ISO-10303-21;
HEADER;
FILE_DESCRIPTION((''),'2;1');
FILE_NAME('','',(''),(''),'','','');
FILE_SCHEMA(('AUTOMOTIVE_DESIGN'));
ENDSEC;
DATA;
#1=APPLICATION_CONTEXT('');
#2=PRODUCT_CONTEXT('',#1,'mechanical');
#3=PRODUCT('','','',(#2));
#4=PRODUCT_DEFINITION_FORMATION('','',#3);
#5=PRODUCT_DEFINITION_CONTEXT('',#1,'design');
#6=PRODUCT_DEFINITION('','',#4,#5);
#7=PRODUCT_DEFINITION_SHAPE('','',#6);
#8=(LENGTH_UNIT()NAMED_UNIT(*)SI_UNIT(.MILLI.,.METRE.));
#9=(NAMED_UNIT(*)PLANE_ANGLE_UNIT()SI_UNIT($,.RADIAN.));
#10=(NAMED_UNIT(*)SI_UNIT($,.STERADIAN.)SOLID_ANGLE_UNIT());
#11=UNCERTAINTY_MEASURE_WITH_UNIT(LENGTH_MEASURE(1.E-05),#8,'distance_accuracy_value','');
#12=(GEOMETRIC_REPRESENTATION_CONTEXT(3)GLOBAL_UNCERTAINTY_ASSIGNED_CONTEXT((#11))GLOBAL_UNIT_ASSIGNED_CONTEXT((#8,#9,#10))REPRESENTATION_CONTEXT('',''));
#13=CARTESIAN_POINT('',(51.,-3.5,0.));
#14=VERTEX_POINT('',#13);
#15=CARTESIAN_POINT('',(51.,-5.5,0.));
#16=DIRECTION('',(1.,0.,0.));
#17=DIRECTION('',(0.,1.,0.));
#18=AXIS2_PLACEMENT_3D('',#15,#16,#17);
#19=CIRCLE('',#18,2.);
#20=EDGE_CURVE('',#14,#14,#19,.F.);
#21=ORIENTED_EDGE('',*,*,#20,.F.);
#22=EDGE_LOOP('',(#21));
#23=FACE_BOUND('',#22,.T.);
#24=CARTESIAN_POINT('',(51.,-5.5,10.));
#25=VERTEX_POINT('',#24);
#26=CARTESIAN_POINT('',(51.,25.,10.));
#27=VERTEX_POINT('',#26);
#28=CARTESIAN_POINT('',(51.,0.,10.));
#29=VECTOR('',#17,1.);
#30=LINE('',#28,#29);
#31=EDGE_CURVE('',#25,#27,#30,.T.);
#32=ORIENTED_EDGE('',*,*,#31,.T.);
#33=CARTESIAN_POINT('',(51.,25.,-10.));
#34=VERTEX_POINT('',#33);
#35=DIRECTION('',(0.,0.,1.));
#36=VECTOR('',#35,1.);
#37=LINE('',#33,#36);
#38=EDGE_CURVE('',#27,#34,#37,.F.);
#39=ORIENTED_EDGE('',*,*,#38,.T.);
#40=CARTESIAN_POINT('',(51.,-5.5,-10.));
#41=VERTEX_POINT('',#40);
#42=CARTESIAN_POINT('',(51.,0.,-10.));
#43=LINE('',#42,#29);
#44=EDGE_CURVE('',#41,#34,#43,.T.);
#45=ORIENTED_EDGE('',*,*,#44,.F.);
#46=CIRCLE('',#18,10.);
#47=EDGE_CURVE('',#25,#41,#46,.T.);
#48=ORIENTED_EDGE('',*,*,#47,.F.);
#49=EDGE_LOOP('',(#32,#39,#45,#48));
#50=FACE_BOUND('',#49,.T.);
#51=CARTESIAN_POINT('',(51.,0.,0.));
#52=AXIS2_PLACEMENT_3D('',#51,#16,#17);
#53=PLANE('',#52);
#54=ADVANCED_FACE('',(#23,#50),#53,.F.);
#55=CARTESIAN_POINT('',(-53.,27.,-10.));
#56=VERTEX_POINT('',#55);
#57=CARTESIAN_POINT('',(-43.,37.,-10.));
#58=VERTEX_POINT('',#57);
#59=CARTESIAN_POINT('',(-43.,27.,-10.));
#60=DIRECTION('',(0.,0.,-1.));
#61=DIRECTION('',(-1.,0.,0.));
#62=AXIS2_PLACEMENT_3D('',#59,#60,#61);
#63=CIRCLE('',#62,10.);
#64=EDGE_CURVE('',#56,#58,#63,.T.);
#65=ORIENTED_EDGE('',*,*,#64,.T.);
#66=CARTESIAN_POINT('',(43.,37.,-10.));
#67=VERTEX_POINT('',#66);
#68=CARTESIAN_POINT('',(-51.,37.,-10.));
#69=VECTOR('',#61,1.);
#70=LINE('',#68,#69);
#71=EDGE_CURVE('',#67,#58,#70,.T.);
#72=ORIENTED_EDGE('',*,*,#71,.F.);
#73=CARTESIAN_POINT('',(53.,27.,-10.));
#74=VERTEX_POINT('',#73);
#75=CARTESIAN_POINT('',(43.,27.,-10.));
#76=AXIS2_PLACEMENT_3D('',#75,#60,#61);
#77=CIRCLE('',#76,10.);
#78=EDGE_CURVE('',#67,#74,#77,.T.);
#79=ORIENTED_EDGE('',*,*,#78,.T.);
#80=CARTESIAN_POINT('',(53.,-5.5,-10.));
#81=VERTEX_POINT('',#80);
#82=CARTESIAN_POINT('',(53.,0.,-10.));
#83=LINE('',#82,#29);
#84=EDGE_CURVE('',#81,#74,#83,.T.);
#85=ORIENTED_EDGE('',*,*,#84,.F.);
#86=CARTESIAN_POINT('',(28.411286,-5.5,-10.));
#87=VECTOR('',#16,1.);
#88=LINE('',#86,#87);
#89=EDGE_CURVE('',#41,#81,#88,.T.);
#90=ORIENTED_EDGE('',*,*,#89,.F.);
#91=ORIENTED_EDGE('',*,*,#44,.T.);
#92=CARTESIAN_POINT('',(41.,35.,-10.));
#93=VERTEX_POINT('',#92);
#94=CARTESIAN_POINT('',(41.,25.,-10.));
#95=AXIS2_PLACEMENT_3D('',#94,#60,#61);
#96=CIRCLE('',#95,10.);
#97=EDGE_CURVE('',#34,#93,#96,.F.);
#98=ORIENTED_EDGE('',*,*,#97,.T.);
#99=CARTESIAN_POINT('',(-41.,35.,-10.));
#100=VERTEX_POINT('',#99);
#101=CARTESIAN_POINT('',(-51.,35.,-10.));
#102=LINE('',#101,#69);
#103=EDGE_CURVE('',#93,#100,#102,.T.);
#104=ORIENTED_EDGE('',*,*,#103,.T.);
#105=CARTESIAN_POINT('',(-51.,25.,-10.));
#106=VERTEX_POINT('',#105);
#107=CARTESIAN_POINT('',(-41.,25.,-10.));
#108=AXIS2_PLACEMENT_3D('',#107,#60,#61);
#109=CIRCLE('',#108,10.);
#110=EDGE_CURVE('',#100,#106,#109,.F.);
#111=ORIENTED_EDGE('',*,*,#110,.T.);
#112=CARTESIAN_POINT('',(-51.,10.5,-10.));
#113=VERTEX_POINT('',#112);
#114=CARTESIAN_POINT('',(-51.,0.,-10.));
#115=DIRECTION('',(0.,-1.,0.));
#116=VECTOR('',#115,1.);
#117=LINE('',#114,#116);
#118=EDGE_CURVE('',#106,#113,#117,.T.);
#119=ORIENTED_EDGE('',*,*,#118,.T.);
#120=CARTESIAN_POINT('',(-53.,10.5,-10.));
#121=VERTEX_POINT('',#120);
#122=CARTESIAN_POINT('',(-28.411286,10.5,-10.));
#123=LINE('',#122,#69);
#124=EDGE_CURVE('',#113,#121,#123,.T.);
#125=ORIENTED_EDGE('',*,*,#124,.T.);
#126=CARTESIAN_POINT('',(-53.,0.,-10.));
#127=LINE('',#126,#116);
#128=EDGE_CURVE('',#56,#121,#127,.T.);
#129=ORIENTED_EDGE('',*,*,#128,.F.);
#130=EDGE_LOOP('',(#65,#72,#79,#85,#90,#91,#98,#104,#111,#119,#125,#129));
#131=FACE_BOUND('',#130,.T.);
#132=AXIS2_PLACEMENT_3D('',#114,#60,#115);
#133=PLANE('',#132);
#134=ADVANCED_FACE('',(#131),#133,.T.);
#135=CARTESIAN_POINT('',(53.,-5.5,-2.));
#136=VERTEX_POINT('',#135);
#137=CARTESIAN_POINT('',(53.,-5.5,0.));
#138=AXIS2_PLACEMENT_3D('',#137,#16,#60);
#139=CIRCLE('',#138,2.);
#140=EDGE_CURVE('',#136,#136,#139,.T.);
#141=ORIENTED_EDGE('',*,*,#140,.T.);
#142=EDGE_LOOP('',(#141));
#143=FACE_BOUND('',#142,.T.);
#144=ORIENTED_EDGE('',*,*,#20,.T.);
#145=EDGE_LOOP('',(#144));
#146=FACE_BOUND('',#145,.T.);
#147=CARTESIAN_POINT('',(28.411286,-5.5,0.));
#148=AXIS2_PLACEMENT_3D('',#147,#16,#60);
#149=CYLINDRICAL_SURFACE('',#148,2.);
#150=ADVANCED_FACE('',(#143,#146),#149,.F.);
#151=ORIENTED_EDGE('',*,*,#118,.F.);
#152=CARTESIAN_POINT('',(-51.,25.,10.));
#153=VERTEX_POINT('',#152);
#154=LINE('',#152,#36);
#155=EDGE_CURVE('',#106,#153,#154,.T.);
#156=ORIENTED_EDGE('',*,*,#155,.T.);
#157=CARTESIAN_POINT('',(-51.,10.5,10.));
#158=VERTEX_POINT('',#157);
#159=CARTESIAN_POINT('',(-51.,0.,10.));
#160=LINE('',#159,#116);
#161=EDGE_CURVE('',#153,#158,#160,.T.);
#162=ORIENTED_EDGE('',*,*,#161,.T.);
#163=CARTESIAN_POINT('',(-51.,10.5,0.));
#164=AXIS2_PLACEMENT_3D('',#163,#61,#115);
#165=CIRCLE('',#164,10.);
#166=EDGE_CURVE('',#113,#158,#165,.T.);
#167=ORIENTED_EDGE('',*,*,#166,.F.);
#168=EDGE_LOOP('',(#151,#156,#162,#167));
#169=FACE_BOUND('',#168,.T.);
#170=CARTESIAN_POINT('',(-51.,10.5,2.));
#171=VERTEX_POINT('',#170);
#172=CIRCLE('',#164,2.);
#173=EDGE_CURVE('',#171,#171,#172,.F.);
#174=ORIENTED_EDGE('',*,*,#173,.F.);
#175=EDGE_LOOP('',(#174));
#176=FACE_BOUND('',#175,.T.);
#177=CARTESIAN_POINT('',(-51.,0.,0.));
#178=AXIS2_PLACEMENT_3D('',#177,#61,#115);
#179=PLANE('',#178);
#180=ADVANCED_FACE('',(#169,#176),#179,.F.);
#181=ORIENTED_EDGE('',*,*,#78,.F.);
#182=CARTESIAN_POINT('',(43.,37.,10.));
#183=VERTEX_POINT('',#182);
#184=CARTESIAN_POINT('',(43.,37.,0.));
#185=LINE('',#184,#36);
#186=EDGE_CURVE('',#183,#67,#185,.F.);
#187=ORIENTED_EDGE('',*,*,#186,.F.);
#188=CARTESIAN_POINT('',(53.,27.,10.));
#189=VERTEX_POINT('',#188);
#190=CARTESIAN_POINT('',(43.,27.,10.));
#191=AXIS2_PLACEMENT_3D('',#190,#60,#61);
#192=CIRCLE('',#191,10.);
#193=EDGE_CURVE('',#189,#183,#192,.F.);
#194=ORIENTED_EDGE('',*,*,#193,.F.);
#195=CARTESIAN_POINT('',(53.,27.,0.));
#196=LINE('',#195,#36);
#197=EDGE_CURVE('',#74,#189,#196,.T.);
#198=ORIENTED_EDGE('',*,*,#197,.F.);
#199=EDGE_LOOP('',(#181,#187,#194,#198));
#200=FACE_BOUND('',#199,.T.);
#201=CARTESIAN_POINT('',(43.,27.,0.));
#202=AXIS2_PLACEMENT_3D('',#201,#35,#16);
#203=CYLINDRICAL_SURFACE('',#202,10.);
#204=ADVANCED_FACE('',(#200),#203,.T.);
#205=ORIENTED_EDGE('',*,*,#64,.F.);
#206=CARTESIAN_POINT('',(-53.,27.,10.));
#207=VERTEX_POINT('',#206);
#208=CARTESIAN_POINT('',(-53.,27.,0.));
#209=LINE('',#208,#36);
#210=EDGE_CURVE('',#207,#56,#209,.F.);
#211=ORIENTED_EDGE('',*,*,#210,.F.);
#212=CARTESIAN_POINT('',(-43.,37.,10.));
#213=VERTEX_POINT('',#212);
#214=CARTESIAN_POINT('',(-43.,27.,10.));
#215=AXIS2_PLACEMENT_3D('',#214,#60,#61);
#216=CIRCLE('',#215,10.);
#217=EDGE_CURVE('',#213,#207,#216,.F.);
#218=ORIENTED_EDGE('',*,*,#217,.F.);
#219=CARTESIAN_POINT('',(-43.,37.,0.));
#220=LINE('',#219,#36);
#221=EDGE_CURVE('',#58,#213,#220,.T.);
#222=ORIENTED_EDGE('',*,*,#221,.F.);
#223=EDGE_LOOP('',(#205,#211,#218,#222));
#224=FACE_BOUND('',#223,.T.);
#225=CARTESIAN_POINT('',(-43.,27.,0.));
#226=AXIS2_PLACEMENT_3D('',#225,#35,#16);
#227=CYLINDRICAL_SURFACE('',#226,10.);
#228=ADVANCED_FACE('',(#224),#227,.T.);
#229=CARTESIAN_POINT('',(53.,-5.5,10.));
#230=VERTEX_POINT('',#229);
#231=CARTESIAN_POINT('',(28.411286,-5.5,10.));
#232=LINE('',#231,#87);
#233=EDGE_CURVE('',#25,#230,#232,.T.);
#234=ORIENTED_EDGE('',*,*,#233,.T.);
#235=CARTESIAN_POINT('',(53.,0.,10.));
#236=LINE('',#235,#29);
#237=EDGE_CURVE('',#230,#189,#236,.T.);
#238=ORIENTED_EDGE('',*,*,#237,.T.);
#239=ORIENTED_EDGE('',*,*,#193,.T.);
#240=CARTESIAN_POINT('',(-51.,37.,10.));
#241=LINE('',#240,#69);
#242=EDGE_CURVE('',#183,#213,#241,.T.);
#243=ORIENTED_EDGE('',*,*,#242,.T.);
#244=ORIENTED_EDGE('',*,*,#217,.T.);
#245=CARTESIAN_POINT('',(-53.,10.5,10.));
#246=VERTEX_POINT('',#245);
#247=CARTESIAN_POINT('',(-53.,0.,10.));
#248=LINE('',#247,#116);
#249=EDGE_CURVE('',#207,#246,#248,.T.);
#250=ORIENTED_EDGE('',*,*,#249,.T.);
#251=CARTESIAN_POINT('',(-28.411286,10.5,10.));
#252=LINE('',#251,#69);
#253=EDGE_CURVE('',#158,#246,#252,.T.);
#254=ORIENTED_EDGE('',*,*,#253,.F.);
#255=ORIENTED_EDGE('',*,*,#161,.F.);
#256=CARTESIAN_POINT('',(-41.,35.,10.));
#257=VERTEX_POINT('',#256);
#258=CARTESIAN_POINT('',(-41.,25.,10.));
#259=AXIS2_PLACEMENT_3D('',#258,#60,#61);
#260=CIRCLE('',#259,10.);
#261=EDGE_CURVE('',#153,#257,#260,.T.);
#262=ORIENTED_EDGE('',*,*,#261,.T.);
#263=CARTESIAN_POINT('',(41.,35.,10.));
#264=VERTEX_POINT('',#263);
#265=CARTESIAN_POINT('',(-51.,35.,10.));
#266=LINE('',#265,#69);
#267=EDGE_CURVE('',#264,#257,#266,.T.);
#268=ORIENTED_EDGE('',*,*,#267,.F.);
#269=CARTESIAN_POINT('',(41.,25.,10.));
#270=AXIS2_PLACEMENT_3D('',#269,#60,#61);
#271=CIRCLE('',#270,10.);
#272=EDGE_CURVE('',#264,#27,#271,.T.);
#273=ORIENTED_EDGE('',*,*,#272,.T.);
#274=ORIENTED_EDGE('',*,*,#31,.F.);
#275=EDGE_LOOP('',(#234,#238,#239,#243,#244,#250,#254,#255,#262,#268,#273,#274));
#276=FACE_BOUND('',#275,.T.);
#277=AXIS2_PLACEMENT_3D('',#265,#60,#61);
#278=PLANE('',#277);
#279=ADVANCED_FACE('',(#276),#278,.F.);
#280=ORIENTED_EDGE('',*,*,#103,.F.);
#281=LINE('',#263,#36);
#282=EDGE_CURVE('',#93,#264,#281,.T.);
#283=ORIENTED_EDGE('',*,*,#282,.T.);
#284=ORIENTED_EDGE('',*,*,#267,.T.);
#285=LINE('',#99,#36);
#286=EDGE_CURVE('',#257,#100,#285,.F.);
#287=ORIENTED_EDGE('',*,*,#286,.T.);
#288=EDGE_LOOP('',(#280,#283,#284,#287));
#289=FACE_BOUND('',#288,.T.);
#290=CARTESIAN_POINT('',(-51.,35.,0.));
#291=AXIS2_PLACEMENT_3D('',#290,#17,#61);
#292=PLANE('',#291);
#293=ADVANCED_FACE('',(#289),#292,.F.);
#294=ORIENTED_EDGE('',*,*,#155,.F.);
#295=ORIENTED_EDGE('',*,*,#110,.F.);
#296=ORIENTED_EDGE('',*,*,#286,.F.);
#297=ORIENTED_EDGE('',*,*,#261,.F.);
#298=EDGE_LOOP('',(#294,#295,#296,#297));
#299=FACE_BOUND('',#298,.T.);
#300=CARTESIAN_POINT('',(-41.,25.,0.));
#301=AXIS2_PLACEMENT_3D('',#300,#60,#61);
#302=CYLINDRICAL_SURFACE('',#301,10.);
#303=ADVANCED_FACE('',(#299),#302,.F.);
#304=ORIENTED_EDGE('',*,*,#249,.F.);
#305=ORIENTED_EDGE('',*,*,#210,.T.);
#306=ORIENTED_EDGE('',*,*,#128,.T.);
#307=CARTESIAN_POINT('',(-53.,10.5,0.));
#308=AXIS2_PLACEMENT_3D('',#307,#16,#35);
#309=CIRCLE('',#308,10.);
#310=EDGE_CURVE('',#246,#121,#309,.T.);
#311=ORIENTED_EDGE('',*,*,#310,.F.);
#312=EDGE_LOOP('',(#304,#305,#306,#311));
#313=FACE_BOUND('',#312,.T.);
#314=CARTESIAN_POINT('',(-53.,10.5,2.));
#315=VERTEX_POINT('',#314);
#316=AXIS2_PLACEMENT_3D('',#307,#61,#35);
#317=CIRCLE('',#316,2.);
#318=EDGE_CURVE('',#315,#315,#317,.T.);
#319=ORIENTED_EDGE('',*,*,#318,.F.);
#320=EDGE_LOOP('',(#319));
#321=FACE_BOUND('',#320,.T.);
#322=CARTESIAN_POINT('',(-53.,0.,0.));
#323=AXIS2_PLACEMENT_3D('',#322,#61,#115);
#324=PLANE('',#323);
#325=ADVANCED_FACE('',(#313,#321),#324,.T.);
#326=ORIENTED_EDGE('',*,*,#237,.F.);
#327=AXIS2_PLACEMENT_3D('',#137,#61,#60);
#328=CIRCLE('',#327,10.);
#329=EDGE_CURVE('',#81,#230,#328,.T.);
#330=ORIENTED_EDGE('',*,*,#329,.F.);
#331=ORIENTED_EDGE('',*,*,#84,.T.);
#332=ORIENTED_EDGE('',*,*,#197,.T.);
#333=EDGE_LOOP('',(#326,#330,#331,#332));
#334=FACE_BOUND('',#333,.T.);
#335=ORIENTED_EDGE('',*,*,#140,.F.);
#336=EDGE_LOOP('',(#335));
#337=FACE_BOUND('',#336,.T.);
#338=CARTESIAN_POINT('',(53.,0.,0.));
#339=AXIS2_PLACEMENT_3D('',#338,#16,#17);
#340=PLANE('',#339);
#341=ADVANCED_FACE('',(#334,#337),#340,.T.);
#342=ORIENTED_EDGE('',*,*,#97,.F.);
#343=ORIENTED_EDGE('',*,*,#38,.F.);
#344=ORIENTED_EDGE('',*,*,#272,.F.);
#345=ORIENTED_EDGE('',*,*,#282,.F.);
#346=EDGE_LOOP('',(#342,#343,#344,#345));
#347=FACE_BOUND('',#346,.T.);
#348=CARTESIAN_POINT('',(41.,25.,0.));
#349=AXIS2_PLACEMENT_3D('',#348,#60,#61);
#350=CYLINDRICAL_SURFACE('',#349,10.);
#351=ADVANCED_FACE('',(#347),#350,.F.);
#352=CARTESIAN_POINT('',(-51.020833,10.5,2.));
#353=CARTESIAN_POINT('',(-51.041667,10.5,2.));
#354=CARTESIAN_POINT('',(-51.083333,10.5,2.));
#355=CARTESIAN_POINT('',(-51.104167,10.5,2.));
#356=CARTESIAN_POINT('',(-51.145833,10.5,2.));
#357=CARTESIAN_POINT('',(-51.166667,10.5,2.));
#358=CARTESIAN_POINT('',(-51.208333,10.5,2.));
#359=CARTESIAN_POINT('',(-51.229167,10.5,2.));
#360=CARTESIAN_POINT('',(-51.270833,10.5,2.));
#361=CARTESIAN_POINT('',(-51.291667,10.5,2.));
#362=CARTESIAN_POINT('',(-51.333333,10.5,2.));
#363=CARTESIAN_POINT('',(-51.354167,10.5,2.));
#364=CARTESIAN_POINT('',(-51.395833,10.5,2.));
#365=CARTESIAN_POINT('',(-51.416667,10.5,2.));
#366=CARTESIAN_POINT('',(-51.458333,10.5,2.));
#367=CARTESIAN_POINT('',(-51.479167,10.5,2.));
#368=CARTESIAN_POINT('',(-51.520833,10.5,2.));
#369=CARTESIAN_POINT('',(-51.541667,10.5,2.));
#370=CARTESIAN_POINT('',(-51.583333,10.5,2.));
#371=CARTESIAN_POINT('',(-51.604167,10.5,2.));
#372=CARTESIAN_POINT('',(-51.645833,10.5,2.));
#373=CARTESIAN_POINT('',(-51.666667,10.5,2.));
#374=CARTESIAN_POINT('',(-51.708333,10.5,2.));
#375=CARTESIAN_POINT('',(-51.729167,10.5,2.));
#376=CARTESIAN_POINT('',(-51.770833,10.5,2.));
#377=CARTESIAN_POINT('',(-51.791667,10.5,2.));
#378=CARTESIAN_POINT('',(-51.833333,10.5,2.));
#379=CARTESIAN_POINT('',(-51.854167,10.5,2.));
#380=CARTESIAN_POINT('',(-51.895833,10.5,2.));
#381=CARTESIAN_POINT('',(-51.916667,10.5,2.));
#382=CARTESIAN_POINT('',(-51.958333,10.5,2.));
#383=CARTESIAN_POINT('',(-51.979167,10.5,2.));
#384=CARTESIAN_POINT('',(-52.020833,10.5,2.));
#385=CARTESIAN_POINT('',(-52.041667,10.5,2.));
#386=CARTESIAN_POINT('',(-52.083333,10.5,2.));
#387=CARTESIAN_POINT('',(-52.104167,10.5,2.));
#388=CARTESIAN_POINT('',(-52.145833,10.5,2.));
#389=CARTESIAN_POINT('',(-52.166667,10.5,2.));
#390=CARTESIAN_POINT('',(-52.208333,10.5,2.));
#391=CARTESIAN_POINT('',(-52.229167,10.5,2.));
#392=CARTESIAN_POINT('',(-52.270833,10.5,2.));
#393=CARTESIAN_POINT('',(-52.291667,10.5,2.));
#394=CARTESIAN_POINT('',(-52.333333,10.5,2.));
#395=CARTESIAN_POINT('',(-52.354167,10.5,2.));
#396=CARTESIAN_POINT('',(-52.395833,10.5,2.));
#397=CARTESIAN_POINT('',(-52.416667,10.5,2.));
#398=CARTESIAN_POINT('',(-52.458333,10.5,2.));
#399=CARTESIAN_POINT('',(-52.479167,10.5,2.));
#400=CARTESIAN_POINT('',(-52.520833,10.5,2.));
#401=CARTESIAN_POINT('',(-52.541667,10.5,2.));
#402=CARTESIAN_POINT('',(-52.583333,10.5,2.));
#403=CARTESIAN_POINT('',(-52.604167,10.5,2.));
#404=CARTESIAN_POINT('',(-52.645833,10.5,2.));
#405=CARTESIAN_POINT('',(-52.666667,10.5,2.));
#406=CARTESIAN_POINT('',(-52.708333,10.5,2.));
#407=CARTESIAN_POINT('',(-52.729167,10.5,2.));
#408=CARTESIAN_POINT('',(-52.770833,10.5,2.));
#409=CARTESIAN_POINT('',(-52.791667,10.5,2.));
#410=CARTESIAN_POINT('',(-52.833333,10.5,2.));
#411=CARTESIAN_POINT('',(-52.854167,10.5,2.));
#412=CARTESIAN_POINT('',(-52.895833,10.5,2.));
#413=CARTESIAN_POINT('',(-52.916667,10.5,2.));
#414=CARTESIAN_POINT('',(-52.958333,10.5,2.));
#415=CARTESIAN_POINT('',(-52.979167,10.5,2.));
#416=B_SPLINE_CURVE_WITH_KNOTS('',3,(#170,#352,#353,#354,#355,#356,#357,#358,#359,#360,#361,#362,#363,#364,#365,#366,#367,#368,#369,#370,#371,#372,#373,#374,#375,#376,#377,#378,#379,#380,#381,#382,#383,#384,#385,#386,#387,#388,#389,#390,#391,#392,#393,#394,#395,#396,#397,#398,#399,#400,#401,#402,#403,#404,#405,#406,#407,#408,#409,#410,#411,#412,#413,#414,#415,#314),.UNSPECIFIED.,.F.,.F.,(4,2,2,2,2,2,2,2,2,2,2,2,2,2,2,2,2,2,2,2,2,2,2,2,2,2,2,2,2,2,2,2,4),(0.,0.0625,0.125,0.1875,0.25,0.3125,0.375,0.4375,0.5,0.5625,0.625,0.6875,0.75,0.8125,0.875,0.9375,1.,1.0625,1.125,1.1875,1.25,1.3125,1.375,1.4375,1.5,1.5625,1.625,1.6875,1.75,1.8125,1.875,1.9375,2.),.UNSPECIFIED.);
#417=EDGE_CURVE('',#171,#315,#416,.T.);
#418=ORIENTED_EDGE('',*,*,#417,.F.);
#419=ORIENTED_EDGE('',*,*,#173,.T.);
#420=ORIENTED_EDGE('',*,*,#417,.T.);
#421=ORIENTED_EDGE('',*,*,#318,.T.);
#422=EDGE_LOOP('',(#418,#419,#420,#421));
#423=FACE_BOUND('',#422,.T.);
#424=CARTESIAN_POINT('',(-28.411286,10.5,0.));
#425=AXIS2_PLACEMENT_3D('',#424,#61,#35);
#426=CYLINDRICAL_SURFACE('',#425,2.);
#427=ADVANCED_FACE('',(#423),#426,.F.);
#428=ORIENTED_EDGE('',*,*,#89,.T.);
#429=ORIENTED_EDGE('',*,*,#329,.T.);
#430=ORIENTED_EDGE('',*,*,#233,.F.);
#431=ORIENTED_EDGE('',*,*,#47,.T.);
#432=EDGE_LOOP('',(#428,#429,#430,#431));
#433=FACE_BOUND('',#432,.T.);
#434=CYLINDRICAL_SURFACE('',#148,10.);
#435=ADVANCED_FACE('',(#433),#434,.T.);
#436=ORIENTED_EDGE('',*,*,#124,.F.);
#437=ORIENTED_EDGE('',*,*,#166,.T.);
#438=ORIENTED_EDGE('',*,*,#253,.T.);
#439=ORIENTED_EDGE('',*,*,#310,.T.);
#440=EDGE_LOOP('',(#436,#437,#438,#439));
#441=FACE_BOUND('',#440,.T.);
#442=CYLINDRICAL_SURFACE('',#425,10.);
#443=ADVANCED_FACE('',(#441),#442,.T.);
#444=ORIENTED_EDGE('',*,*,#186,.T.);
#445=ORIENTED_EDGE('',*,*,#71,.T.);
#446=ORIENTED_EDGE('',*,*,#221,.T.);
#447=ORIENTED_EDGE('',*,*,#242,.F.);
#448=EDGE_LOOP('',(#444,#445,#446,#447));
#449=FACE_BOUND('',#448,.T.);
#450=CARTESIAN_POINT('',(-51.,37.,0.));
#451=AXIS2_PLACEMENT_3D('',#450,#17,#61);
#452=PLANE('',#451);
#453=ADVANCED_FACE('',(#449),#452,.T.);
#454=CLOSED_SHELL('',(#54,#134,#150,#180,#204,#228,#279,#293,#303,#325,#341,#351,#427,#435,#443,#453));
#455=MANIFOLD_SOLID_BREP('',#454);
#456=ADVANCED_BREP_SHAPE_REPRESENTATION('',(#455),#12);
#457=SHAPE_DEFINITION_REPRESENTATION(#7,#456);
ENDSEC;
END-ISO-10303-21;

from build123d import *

# Parameters (mm, degrees)
SUPERFICIE_EXTRUIR1_1_BACK  = 10
SUPERFICIE_EXTRUIR1_1_DEPTH = 20
DAR_ESPESOR1_T1             = 2
CROQUIS2_R                  = 2
CORTAR_EXTRUIR1_DEPTH       = 2
REDONDEO1_R                 = 10
CROQUIS3_R                  = 2
CORTAR_EXTRUIR2_DEPTH       = 2


with BuildPart() as body_1:
    # Superficie-Extruir1: a surface, the sketch's curves swept straight by 20 mm
    with BuildLine(Plane.XY.offset(-SUPERFICIE_EXTRUIR1_1_BACK), mode=Mode.PRIVATE) as superficie_extruir1_1_path:
        Line((-51, 0), (-51, 35))
        Line((-51, 35), (51, 35))
        Line((51, 35), (51, 0))
        Line((51, 0), (51, -16))
    superficie_extruir1_1 = Shell.extrude(superficie_extruir1_1_path.wire(), (0 * SUPERFICIE_EXTRUIR1_1_DEPTH, 0 * SUPERFICIE_EXTRUIR1_1_DEPTH, 1 * SUPERFICIE_EXTRUIR1_1_DEPTH))
    add(Solid.thicken(superficie_extruir1_1, DAR_ESPESOR1_T1))

    # Croquis2 → Cortar-Extruir1 (cut)
    with BuildSketch(Plane.ZY.offset(53)):
        with Locations((0, 10.5)):
            Circle(CROQUIS2_R)
        with BuildLine():
            Line((-10, 10.5), (-10, 0))
            Line((-10, 0), (10, 0))
            Line((10, 0), (10, 10.5))
            ThreePointArc((10, 10.5), (0, 0.5), (-10, 10.5))
        make_face()
    extrude(amount=-CORTAR_EXTRUIR1_DEPTH, mode=Mode.SUBTRACT)

    # Redondeo1
    redondeo1_edges = [body_1.edges().sort_by_distance(p)[0] for p in [
        (-51, 35, 0),
        (51, 35, 0),
        (53, 37, 0),
        (-53, 37, 0),
    ]]
    fillet(redondeo1_edges, radius=REDONDEO1_R)

    # Croquis3 → Cortar-Extruir2 (cut)
    with BuildSketch(Plane(origin=(53, 0, 0), x_dir=(0, 0, -1), z_dir=(1, 0, 0))):
        with Locations((0, -5.5)):
            Circle(CROQUIS3_R)
        with BuildLine():
            Line((-10, -5.5), (-10, -16))
            Line((-10, -16), (10, -16))
            Line((10, -16), (10, -5.5))
            ThreePointArc((10, -5.5), (0, -15.5), (-10, -5.5))
        make_face()
    extrude(amount=-CORTAR_EXTRUIR2_DEPTH, mode=Mode.SUBTRACT)


solid = body_1.part
